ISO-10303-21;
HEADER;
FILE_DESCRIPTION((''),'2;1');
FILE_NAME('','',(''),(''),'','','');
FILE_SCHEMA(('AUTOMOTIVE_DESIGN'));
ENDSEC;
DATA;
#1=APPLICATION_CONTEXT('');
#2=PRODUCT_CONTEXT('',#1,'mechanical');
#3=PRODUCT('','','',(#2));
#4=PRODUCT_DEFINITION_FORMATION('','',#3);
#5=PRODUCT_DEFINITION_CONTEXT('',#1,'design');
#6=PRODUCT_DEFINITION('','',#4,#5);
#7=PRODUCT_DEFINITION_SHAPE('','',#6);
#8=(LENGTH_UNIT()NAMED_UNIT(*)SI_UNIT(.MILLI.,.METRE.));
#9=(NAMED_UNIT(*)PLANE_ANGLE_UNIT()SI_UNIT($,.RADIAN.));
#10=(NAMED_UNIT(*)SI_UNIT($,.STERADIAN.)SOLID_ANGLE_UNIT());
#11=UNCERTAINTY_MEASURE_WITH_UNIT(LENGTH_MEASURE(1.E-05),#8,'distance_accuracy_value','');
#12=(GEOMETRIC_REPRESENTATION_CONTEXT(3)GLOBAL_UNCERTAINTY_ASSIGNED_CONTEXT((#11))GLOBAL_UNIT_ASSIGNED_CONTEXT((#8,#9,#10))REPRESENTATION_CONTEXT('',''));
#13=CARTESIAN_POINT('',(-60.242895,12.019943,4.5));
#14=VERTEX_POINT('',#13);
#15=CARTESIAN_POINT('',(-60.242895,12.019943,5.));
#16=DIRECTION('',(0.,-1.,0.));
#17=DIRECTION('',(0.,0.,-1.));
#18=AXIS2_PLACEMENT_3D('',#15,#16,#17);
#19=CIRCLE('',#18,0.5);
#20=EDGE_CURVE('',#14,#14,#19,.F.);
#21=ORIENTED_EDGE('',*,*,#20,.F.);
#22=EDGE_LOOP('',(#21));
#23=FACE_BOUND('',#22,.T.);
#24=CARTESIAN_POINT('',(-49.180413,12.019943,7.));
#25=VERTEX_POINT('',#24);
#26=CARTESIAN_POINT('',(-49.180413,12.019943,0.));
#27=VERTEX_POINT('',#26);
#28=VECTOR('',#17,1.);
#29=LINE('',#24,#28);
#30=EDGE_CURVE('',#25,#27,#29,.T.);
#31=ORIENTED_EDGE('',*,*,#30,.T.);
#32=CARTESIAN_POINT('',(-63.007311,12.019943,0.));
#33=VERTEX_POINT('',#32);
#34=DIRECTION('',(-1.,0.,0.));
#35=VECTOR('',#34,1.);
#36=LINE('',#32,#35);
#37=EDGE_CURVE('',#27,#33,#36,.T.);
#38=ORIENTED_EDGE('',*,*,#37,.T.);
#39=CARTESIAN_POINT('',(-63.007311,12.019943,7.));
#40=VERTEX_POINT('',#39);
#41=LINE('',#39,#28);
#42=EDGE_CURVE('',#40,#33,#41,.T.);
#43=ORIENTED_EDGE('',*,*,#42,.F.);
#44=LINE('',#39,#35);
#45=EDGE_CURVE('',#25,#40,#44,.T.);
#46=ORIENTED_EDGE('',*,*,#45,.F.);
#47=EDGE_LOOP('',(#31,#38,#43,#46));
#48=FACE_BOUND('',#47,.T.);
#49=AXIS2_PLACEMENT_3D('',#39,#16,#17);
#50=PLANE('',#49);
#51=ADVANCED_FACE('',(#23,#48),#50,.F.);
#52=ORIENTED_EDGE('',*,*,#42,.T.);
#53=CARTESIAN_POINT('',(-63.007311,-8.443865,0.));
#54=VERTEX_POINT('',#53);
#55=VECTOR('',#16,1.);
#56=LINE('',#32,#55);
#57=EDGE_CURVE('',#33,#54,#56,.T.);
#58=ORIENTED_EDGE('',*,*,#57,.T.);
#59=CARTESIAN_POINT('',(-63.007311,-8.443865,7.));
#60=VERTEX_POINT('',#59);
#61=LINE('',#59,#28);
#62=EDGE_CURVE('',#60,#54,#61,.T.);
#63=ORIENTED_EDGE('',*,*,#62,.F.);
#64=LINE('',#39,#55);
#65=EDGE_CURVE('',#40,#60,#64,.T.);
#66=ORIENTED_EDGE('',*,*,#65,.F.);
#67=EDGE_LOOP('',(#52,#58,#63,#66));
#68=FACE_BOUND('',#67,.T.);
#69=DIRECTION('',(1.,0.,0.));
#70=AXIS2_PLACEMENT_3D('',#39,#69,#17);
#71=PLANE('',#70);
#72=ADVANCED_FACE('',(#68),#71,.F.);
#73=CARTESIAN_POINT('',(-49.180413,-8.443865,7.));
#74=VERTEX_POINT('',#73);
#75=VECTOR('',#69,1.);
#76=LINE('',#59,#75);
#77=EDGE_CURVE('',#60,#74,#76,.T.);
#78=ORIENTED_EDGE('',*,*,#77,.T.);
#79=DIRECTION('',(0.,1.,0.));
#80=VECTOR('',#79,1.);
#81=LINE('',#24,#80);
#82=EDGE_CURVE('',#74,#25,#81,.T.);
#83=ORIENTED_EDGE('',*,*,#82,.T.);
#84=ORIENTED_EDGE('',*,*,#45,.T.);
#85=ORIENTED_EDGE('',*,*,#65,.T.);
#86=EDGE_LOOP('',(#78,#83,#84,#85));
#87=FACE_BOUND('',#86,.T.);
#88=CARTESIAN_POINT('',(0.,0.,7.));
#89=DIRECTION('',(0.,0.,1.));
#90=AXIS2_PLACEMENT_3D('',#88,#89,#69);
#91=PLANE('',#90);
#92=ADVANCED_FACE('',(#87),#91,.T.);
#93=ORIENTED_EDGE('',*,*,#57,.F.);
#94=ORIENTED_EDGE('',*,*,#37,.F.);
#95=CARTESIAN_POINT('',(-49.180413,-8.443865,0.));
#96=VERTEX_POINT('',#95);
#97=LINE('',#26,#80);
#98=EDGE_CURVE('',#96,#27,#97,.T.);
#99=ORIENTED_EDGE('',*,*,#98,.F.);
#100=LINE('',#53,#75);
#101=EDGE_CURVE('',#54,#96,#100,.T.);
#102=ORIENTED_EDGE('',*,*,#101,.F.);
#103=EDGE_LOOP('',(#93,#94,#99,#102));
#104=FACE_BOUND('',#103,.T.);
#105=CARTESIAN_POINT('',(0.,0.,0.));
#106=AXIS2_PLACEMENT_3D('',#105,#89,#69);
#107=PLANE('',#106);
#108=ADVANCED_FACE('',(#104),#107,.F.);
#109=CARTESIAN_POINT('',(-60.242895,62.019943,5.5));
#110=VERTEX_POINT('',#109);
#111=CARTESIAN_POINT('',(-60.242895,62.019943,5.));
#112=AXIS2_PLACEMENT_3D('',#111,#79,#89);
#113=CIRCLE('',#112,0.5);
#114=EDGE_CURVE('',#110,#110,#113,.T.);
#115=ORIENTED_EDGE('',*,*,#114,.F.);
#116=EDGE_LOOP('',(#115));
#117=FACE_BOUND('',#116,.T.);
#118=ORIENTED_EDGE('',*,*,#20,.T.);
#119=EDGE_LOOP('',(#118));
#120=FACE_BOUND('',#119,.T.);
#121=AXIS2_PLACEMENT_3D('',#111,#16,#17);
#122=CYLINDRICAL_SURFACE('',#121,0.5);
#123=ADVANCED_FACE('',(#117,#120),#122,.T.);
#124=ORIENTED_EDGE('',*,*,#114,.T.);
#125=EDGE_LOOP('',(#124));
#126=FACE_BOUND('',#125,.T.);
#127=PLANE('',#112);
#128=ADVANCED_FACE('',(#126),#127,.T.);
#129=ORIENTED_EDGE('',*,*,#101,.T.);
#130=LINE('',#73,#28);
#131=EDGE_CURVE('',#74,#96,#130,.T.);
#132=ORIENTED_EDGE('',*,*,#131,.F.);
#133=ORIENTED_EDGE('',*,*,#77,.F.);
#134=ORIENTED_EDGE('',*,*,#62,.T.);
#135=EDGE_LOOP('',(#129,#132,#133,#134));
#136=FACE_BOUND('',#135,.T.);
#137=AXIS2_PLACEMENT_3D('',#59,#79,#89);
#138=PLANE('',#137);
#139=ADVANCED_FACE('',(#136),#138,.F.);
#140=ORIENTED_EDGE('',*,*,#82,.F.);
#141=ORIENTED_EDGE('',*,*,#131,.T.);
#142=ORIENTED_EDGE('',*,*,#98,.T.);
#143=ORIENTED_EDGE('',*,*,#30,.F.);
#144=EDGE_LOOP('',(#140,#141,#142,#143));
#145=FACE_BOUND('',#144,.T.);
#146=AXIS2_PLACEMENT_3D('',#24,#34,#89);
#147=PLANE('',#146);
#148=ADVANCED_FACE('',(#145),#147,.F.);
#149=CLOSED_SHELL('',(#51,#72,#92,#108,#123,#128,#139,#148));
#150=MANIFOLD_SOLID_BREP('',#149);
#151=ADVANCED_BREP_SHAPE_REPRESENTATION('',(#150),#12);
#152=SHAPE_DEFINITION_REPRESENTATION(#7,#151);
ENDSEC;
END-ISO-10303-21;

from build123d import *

# Parameters (mm, degrees)
SKETCH1_W           = 13.826897396
SKETCH1_H           = 20.463808146
BOSS_EXTRUDE1_DEPTH = 7
SKETCH2_R           = 0.5
BOSS_EXTRUDE2_DEPTH = 50


with BuildPart() as part:
    # Sketch1 → Boss-Extrude1 (new body)
    with BuildSketch(Plane.XY):
        with Locations((-56.093861986, 1.78803904)):
            Rectangle(SKETCH1_W, SKETCH1_H)
    extrude(amount=BOSS_EXTRUDE1_DEPTH)

    # Sketch2 → Boss-Extrude2 (add)
    with BuildSketch(Plane(origin=(0, 12.019943113, 0), x_dir=(1, 0, 0), z_dir=(0, 1, 0))):
        with Locations(Location((-60.242895055, -5, 0), (0, 0, 90))):
            Circle(SKETCH2_R)
    extrude(amount=BOSS_EXTRUDE2_DEPTH)


solid = part.part
